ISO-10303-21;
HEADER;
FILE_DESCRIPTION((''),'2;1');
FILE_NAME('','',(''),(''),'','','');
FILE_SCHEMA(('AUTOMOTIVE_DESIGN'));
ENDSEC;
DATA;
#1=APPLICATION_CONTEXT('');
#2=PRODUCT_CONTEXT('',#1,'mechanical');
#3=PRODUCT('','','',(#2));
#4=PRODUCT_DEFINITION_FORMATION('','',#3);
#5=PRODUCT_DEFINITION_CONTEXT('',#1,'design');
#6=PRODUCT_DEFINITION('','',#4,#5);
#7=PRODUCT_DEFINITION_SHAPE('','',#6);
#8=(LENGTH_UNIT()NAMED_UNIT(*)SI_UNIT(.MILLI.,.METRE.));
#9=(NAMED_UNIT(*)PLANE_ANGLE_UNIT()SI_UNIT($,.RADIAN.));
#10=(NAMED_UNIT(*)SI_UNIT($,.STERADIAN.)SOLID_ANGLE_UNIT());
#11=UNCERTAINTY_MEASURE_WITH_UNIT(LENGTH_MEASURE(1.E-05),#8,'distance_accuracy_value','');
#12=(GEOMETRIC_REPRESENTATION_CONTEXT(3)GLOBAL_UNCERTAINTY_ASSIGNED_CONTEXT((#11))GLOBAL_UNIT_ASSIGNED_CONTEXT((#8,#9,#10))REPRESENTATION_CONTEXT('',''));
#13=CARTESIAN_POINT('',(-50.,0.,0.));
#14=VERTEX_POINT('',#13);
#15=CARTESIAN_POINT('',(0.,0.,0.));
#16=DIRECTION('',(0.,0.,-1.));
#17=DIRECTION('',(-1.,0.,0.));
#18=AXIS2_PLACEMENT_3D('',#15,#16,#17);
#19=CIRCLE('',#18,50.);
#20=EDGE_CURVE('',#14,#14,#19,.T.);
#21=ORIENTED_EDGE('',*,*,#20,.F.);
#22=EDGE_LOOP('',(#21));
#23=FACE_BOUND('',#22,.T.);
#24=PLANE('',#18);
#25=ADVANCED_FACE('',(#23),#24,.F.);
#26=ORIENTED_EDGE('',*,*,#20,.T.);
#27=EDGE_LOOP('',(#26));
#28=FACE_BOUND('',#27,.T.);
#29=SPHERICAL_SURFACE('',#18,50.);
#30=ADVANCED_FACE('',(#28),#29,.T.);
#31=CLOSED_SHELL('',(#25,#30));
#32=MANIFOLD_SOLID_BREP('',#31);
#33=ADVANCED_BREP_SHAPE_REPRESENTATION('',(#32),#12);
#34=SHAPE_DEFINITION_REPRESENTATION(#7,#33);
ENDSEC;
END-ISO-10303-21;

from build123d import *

# Parameters (mm, degrees)
REVOLVE1_ANGLE = 180


with BuildPart() as part:
    # Sketch1 → Revolve1 (revolve)
    with BuildSketch(Plane.XY):
        with BuildLine():
            Line((0, 50), (0, -50))
            ThreePointArc((0, -50), (-50, 0), (0, 50))
        make_face()
    revolve(axis=Axis((0, 50, 0), (0, -1, 0)), revolution_arc=REVOLVE1_ANGLE)


solid = part.part
